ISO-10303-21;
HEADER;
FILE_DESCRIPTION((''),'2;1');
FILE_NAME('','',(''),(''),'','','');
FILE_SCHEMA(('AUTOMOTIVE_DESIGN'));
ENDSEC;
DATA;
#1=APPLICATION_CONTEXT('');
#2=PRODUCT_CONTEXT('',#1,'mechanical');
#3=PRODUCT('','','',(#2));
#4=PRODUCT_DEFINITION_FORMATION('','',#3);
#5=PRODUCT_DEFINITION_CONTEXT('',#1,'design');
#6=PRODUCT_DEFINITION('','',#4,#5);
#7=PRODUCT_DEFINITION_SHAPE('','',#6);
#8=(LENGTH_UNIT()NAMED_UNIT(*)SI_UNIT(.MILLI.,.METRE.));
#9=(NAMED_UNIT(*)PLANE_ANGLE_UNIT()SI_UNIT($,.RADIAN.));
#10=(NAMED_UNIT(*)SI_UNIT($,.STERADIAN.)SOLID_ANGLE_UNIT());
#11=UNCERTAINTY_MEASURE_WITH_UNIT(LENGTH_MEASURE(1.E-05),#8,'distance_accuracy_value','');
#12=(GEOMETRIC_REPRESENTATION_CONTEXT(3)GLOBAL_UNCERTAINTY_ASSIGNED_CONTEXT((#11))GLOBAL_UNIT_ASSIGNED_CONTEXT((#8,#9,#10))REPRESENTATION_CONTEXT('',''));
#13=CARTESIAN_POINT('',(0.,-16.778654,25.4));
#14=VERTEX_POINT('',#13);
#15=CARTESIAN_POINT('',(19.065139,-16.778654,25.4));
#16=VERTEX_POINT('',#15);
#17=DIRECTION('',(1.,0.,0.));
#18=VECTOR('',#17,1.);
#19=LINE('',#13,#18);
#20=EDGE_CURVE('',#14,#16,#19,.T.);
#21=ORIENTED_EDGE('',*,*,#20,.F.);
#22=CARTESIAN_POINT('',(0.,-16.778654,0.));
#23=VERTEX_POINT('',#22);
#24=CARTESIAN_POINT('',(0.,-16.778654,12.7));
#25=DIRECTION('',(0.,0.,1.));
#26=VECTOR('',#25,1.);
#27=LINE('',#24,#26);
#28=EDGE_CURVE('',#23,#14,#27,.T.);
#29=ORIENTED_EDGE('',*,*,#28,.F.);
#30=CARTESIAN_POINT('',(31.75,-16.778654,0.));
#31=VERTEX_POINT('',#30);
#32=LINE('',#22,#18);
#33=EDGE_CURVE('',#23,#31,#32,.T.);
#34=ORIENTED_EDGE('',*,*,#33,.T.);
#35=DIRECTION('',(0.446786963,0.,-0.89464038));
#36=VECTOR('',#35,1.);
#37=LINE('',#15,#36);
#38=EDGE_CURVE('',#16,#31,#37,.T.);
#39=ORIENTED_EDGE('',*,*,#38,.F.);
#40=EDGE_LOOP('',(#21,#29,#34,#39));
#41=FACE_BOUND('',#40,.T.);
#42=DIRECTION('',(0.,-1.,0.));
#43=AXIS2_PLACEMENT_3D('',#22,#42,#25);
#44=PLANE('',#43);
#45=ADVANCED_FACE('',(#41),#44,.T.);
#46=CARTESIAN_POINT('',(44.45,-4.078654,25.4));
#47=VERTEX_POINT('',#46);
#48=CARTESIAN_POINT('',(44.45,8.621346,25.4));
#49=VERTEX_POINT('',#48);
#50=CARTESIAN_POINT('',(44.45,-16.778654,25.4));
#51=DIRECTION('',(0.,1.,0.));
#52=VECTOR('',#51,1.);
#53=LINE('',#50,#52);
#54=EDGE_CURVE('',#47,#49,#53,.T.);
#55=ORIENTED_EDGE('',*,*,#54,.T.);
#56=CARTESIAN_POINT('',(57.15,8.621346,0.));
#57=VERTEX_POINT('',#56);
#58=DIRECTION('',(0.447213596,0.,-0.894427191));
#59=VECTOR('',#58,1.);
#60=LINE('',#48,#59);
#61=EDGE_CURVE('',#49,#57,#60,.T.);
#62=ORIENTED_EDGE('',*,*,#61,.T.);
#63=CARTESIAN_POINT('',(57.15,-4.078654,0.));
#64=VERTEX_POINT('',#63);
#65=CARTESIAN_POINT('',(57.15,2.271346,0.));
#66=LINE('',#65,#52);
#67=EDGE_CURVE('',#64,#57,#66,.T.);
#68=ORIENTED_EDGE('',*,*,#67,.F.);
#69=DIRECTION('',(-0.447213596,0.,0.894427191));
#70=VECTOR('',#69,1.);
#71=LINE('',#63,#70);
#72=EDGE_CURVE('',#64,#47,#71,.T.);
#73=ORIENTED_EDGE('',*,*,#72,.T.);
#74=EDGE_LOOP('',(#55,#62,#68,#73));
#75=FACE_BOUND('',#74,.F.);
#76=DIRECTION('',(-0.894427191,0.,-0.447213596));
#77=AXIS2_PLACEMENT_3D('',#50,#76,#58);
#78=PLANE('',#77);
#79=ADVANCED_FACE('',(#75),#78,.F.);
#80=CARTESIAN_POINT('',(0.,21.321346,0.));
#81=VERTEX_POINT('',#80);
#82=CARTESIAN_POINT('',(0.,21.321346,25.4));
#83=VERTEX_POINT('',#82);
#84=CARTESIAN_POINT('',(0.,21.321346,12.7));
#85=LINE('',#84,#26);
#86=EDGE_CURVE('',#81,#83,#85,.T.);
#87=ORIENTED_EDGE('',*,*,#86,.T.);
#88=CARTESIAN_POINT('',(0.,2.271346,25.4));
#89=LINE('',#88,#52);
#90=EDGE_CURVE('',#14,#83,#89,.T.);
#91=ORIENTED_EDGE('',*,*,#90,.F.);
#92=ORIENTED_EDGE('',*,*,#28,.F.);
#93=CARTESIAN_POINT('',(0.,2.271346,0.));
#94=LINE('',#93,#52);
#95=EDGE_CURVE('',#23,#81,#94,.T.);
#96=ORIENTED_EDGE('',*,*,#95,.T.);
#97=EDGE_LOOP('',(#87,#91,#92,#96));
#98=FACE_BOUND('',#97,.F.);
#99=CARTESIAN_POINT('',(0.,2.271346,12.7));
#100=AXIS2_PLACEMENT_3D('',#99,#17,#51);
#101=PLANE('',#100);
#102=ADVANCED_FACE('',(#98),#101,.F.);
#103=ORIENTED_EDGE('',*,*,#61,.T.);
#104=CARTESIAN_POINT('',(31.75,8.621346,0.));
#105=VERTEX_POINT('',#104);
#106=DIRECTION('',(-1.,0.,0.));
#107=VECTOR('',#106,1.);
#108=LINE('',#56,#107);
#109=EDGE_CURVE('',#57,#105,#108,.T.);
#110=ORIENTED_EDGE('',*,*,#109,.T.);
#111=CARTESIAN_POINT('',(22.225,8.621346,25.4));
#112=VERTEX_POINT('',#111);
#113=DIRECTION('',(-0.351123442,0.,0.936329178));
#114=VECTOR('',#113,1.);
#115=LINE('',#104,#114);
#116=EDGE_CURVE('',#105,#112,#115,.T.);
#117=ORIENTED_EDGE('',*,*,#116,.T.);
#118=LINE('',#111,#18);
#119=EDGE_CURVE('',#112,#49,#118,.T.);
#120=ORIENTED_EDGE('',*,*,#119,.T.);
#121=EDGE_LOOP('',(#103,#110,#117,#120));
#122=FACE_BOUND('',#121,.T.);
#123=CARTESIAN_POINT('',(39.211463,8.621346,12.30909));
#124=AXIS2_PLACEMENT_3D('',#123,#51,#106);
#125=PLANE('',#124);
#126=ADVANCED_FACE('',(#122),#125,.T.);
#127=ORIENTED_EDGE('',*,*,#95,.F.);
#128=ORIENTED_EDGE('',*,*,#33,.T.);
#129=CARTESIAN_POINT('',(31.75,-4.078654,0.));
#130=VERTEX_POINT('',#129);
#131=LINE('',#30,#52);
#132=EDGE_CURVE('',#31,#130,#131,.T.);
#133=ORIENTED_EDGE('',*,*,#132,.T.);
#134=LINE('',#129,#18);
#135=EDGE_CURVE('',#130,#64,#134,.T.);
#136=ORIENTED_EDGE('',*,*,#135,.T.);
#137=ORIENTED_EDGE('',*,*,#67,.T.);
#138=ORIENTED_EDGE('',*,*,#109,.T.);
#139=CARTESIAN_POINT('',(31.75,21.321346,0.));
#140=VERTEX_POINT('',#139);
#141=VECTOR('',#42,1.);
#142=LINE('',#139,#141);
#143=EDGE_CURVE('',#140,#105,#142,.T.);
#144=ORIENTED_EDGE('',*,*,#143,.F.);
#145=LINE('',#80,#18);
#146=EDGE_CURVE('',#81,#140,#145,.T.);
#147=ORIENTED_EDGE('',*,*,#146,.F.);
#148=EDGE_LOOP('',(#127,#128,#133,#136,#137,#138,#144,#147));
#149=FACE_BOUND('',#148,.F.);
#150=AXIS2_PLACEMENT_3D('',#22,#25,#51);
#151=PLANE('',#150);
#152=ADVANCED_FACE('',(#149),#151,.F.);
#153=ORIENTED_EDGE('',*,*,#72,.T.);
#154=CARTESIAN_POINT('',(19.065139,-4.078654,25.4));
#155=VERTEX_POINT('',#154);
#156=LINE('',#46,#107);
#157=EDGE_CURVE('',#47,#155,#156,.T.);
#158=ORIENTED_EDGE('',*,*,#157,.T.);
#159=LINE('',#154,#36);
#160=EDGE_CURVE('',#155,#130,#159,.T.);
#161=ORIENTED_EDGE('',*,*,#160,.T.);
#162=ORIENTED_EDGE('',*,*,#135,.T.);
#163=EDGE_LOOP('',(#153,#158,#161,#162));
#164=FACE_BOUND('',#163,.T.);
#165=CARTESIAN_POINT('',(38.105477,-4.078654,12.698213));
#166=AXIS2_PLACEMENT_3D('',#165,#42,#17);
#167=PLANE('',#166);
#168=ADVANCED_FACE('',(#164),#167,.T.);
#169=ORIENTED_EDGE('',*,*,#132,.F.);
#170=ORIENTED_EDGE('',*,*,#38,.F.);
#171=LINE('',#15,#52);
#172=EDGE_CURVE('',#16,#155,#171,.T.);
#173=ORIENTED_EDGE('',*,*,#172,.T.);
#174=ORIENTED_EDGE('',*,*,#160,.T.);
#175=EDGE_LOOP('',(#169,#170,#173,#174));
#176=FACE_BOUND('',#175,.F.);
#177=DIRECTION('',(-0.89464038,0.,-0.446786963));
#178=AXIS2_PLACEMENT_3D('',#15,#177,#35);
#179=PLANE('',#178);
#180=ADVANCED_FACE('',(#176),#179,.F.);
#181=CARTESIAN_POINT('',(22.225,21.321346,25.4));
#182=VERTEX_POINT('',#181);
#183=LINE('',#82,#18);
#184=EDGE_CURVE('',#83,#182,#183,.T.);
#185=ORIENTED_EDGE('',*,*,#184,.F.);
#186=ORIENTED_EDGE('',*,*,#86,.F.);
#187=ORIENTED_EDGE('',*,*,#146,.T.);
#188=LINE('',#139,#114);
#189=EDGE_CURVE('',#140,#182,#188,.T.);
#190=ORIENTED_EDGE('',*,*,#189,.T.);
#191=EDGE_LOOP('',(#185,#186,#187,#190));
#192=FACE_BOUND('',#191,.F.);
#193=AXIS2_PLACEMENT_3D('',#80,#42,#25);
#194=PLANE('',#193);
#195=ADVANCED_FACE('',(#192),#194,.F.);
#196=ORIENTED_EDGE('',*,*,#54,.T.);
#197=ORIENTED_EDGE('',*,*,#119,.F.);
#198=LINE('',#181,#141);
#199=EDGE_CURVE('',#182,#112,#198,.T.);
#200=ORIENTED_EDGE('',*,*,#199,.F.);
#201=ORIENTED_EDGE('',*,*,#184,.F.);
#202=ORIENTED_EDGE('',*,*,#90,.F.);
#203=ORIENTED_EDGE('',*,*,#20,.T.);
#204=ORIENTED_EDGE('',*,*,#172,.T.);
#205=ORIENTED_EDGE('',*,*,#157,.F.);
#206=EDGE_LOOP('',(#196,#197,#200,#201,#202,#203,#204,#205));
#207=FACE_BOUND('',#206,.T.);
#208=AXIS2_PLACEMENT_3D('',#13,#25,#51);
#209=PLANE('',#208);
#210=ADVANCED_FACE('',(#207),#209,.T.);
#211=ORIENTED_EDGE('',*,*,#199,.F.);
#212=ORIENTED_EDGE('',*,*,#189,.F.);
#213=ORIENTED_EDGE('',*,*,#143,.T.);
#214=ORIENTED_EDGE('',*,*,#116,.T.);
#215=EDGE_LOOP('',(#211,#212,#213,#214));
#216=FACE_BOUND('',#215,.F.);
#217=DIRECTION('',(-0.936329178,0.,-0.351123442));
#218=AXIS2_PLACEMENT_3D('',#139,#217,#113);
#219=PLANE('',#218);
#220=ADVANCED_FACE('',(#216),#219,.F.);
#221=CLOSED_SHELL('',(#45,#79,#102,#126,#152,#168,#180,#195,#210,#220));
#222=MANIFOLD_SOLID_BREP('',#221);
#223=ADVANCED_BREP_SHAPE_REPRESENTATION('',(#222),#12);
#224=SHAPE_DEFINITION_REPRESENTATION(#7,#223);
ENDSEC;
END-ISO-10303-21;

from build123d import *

# Parameters (mm, degrees)
F0_W     = 38.1
F0_H     = 25.4
F1_DEPTH = 57.15
F3_DEPTH = 38.101
F5_DEPTH = 12.7
F7_DEPTH = 12.7


with BuildPart() as f1:
    # F0 (on Right) → F1 (new body)
    with BuildSketch(Plane.YZ):
        with Locations((2.271346, 12.7)):
            Rectangle(F0_W, F0_H)
    extrude(amount=F1_DEPTH)

    # F2 (on face) → F3 (cut, through all)
    with BuildSketch(Plane.XZ.offset(16.778654)):
        Polygon((44.45, 25.4), (57.15, 0), (57.15, 25.4), align=None)
    extrude(amount=-F3_DEPTH, mode=Mode.SUBTRACT)

    # F4 (on face) → F5 (cut)
    with BuildSketch(Plane.XZ.offset(16.778654)):
        Polygon((44.45, 25.4), (19.065139, 25.4), (31.75, 0), (57.15, 0), align=None)
    extrude(amount=-F5_DEPTH, mode=Mode.SUBTRACT)

    # F6 (on face) → F7 (cut)
    with BuildSketch(Plane(origin=(0, 21.321346, 0), x_dir=(-1, 0, 0), z_dir=(0, 1, 0))):
        Polygon((-57.15, 0), (-31.75, 0), (-22.225, 25.4), (-44.45, 25.4), align=None)
    extrude(amount=-F7_DEPTH, mode=Mode.SUBTRACT)


solid = f1.part
